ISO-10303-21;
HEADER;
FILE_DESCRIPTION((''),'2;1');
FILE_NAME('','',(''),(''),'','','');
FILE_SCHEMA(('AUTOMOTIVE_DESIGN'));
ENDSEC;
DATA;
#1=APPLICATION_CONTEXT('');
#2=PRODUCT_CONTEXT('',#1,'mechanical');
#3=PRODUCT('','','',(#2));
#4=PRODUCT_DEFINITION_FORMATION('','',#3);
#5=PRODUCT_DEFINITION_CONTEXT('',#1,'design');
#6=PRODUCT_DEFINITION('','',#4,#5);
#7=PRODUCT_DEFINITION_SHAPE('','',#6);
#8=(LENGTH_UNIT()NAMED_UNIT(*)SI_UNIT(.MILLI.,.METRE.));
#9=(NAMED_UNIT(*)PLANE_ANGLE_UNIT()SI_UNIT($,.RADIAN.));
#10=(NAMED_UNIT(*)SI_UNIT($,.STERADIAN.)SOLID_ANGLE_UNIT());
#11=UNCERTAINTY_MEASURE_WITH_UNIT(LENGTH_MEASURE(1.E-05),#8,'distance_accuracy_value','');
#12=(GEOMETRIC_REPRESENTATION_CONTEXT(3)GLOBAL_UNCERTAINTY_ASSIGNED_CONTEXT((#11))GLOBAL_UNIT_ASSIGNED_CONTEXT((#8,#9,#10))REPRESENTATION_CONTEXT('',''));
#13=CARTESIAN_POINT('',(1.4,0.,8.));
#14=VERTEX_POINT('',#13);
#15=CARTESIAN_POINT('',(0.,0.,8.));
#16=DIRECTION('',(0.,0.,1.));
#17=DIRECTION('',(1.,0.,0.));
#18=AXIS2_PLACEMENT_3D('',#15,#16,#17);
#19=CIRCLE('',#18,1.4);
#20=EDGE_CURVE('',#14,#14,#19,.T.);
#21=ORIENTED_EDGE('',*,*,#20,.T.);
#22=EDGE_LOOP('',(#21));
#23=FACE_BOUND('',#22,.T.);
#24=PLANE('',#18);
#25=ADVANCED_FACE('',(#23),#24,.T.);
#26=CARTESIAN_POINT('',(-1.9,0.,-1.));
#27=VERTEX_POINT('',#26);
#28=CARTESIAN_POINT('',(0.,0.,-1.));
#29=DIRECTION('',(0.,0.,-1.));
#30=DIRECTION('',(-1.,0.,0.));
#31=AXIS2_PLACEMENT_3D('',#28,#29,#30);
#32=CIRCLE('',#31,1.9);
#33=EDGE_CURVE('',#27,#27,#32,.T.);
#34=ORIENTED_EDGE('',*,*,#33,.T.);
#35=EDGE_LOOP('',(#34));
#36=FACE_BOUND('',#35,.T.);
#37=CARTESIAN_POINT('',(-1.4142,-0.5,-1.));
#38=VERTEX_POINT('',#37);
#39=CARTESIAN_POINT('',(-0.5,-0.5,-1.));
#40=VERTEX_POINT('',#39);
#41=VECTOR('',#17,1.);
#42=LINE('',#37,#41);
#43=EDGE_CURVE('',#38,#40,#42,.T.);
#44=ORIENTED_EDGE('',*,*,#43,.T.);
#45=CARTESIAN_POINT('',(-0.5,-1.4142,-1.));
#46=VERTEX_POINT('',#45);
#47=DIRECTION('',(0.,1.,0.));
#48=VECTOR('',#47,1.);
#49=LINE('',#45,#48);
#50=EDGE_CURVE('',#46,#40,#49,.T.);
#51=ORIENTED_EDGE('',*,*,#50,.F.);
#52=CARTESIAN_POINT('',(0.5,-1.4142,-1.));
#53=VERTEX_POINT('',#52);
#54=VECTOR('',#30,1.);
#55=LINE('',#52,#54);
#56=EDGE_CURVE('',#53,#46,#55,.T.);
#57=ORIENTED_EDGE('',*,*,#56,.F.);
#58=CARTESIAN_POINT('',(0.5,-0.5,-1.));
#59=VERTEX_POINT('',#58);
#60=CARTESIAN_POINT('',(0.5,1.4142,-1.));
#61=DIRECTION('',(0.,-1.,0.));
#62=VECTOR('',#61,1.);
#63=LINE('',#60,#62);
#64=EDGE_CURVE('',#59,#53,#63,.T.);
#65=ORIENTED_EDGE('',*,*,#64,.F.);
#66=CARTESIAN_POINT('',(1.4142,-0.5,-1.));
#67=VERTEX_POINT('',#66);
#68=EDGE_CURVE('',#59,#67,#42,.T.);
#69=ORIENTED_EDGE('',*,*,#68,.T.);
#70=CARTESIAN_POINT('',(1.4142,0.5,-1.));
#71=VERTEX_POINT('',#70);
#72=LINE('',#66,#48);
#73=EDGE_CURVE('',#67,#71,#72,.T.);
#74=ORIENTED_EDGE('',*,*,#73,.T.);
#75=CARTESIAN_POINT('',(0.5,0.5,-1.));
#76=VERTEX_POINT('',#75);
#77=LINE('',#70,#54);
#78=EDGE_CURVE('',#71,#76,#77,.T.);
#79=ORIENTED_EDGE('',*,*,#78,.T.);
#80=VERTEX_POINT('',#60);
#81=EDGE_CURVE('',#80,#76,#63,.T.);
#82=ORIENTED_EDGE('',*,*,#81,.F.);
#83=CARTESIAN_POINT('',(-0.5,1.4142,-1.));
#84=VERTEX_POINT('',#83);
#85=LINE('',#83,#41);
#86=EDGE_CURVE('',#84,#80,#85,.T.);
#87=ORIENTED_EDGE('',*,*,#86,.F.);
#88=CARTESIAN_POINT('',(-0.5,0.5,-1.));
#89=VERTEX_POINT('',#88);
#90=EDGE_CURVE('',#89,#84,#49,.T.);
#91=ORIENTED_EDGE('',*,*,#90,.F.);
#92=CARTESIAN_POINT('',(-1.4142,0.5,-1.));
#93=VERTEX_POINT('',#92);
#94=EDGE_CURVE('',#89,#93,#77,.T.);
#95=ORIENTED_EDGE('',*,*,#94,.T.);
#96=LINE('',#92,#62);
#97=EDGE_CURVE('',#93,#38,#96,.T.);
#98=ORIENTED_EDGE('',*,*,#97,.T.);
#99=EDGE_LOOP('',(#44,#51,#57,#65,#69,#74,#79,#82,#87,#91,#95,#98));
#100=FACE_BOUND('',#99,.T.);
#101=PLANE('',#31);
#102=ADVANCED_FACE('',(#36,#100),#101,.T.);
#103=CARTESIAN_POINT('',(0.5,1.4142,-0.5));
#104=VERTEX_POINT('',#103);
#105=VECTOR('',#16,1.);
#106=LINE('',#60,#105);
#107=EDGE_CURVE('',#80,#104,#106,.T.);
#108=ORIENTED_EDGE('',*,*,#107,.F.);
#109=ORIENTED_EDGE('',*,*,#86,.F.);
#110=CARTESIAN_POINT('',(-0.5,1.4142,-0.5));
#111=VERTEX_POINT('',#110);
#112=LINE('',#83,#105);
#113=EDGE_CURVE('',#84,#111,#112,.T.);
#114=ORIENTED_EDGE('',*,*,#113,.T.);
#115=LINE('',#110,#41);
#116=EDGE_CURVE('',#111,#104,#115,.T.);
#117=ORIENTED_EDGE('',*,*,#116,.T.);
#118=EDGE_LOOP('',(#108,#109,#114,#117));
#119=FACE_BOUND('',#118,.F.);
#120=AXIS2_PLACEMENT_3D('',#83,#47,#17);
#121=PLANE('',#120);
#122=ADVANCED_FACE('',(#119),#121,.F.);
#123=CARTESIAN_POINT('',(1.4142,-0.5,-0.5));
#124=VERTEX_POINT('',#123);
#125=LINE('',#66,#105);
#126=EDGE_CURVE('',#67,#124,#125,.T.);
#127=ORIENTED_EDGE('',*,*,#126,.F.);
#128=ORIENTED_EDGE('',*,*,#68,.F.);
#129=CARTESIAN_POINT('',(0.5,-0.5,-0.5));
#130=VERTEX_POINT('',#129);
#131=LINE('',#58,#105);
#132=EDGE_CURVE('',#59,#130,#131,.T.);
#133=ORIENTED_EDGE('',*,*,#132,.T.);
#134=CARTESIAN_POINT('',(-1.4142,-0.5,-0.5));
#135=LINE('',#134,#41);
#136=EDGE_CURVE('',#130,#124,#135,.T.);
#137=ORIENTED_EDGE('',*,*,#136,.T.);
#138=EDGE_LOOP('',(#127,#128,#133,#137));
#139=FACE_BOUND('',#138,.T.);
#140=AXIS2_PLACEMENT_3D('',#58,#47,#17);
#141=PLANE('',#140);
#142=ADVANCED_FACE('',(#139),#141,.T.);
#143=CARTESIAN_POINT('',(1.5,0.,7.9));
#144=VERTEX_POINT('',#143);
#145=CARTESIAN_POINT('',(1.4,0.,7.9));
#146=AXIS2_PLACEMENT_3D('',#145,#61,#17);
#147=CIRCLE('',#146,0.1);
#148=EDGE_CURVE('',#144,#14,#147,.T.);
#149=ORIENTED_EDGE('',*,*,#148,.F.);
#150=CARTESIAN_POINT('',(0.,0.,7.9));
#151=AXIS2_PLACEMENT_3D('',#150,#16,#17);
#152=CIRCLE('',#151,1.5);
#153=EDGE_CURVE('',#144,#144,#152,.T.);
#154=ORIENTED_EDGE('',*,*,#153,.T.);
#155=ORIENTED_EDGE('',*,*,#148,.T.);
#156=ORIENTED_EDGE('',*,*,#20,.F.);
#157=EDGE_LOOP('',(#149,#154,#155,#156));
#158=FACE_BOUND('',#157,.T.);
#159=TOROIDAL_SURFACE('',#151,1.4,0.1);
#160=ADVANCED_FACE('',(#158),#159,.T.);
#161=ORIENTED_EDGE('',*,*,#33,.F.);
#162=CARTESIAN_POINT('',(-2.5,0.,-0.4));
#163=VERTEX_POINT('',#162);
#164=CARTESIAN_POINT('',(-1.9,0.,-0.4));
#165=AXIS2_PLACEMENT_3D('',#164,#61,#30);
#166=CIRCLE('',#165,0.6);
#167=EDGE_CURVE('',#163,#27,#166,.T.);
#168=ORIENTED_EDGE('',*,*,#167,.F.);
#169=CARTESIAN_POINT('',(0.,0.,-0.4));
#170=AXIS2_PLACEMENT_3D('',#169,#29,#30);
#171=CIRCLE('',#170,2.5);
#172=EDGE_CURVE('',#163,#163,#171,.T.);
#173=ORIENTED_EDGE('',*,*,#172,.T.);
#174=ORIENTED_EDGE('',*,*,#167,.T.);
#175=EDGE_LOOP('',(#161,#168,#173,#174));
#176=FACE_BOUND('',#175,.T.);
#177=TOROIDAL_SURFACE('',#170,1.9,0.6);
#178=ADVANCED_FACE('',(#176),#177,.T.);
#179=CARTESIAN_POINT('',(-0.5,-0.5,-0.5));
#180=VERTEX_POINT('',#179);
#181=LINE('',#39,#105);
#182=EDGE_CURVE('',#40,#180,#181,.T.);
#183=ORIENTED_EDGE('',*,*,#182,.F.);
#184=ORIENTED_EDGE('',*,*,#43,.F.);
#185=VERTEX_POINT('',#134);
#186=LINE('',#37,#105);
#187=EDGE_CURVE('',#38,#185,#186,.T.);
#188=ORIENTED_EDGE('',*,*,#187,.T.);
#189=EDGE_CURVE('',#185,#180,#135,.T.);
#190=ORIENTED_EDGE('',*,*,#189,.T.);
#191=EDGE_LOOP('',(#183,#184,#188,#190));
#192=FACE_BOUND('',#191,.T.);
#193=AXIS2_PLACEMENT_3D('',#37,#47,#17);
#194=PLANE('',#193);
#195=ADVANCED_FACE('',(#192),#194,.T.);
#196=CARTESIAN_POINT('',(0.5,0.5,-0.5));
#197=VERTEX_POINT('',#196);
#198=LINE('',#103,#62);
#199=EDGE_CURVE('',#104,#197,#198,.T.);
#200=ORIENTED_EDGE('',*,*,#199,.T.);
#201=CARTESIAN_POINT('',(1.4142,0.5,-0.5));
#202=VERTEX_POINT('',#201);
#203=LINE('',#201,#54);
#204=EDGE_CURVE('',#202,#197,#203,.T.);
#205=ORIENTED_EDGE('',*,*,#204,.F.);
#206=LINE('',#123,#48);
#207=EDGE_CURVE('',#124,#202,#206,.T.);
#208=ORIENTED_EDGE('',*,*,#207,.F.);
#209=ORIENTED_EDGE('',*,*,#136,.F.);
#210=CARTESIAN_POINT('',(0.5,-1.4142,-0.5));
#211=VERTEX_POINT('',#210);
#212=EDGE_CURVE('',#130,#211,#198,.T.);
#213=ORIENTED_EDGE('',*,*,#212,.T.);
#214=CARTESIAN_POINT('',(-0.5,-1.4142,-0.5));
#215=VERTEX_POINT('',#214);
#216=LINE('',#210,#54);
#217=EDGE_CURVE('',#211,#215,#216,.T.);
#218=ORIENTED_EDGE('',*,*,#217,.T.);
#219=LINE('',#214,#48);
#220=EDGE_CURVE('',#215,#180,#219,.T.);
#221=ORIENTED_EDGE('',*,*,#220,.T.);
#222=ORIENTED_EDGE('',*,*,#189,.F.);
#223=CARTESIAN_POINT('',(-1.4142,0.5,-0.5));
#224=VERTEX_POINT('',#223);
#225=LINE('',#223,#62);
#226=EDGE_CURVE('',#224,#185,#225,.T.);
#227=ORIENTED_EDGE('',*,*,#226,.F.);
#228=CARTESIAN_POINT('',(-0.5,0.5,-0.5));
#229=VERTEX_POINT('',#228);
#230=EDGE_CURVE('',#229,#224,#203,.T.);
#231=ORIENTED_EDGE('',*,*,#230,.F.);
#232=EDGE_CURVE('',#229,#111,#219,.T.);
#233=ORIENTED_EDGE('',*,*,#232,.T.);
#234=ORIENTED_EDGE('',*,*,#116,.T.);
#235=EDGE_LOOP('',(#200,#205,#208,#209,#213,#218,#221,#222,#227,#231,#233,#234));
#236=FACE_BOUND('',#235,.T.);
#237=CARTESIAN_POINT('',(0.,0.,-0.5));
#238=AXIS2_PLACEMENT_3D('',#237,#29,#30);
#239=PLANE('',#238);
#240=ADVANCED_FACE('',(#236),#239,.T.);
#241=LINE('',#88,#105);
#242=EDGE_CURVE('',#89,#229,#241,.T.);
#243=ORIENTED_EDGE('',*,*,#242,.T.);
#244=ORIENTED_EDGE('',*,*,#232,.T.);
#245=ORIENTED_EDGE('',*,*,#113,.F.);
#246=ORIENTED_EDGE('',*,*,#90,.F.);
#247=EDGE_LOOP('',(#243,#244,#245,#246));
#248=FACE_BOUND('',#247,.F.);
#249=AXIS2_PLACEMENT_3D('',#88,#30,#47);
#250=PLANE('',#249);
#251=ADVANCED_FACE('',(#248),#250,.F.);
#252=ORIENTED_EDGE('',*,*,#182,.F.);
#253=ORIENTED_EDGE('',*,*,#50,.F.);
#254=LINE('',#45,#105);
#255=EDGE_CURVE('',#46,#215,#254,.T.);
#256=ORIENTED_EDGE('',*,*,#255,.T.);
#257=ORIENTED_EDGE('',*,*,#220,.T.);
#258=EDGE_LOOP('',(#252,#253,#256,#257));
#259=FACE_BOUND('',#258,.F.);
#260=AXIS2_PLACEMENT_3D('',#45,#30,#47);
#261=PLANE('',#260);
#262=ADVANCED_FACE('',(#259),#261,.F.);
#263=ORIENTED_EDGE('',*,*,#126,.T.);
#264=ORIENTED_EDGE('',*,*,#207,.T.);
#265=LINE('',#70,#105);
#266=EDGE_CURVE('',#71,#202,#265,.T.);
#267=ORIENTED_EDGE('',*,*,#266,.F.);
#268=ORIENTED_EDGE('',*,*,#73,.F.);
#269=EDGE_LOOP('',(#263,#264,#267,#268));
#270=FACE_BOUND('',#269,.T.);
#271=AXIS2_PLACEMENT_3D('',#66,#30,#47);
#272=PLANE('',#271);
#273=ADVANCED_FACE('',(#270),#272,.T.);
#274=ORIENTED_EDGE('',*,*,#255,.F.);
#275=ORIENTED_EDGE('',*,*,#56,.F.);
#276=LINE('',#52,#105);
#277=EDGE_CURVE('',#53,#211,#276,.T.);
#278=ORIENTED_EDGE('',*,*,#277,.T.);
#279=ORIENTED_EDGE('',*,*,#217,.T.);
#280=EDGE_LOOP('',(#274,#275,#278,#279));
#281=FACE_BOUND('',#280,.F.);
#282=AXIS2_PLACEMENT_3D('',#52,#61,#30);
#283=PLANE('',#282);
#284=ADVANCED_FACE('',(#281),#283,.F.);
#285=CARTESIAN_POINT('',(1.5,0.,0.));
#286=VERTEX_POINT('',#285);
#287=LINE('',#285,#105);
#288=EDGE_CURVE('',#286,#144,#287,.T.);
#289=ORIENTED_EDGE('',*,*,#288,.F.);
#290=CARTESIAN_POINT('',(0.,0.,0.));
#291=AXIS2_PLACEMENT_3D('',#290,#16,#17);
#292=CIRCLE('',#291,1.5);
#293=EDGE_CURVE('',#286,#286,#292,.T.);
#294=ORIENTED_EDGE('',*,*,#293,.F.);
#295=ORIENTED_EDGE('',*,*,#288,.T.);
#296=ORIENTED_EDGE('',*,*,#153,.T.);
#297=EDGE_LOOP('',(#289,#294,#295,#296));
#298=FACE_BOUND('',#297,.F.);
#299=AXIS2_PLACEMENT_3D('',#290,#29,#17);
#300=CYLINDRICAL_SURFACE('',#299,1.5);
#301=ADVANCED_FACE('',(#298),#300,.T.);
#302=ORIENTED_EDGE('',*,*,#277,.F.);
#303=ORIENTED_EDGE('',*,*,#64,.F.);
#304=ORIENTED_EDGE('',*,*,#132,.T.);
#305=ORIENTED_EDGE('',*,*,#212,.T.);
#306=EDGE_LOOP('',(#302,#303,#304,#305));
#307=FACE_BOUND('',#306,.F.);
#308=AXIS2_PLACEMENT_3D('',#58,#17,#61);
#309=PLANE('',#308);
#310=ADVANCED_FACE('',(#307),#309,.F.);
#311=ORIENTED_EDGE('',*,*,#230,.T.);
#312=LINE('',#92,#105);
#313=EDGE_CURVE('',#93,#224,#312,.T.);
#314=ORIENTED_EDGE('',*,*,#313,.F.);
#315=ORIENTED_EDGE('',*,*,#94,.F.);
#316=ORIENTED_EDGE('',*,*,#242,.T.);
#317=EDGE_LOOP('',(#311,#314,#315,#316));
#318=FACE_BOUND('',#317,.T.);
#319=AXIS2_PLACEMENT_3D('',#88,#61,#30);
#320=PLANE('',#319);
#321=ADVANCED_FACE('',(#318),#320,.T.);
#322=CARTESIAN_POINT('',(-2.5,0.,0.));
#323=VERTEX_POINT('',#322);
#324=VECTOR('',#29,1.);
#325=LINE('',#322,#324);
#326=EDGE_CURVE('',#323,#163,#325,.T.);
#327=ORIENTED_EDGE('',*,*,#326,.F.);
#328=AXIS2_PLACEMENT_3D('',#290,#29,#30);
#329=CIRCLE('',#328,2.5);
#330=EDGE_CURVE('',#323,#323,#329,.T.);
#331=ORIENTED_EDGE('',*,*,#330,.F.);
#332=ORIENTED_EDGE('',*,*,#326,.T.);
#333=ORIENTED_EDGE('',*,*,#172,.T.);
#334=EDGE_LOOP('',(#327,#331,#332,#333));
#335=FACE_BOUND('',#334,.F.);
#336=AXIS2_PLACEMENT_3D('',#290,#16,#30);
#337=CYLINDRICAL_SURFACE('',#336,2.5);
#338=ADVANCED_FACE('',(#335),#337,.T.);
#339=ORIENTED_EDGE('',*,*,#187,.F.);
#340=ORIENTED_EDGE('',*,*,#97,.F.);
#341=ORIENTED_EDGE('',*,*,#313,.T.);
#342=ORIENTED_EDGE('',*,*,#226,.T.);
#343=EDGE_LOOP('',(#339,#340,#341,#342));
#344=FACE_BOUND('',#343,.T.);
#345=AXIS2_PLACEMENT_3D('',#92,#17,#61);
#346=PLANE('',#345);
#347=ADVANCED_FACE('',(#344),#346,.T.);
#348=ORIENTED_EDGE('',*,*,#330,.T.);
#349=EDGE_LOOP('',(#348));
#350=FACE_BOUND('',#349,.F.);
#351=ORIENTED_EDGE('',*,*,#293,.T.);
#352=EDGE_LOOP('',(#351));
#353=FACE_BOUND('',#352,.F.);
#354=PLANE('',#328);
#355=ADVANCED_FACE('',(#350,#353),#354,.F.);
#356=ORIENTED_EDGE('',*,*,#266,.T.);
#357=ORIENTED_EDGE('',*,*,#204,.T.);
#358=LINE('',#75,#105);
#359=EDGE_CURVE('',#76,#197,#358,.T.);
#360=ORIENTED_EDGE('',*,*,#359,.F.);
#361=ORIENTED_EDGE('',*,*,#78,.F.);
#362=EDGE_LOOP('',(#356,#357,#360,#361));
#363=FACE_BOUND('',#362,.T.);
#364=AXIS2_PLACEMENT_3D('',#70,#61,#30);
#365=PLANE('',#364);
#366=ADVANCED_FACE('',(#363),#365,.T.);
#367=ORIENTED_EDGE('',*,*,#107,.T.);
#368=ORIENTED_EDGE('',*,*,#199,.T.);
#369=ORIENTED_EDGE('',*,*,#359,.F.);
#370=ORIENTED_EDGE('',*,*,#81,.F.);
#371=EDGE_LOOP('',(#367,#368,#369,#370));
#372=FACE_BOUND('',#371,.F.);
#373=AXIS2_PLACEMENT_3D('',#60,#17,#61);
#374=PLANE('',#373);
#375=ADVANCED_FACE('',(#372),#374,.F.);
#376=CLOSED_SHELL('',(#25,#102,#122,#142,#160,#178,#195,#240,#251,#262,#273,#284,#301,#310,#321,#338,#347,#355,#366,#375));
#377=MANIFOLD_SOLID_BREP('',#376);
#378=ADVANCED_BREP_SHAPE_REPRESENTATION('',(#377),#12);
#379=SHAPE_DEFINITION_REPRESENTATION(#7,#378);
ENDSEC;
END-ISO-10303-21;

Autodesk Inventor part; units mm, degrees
ref_plane "YZ Plane" through (0, 0, 0) normal (1, 0, 0) x (0, 1, 0)
ref_plane "XZ Plane" through (0, 0, 0) normal (0, 1, 0) x (-1, 0, 0)
ref_plane "XY Plane" through (0, 0, 0) normal (0, 0, 1) x (1, 0, 0)
sketch "Sketch1" plane through (0, 0, 0) normal (0, 0, 1) x (1, 0, 0)
  circle A0 centre (0, 0) radius 1.5
  dimension "d0" = 3
extrude "Extrusion1" add sketch "Sketch1" along normal blind 8
fillet "Fillet1" radius 0.1 1 edges at (-1.5, 0, 8)
sketch "Sketch2" plane through (0, 0, 0) normal (0, 0, -1) x (-1, 0, 0)
  circle A0 centre (0, 0) radius 2.5
  dimension "d4" = 5
extrude "Extrusion2" add sketch "Sketch2" along normal blind 1
sketch "Sketch3" plane through (0, 0, -1) normal (0, 0, -1) x (-1, 0, 0)
  line L0 (-1.4142, 0.5) -> (1.4142, 0.5)
  line L1 (1.4142, 0.5) -> (1.4142, -0.5)
  line L2 (1.4142, -0.5) -> (-1.4142, -0.5)
  line L3 (-1.4142, -0.5) -> (-1.4142, 0.5)
  line L4 (-1.4142, 0.5) -> (1.4142, -0.5) construction
  line L5 (1.4142, 0.5) -> (-1.4142, -0.5) construction
  line L6 (0.5, 1.4142) -> (-0.5, 1.4142)
  line L7 (-0.5, 1.4142) -> (-0.5, -1.4142)
  line L8 (-0.5, -1.4142) -> (0.5, -1.4142)
  line L9 (0.5, -1.4142) -> (0.5, 1.4142)
  line L10 (0.5, 1.4142) -> (-0.5, -1.4142) construction
  line L11 (-0.5, 1.4142) -> (0.5, -1.4142) construction
  point P0 (0, 0)
  point P1 (0, 0)
  point P2 (0, 0)
  dimension "d8" = 1
  dimension "d9" = 1
extrude "Extrusion3" cut sketch "Sketch3" against normal blind 0.5
fillet "Fillet2" radius 0.6 1 edges at (2.5, 0, -1)
properties part number "M3"
